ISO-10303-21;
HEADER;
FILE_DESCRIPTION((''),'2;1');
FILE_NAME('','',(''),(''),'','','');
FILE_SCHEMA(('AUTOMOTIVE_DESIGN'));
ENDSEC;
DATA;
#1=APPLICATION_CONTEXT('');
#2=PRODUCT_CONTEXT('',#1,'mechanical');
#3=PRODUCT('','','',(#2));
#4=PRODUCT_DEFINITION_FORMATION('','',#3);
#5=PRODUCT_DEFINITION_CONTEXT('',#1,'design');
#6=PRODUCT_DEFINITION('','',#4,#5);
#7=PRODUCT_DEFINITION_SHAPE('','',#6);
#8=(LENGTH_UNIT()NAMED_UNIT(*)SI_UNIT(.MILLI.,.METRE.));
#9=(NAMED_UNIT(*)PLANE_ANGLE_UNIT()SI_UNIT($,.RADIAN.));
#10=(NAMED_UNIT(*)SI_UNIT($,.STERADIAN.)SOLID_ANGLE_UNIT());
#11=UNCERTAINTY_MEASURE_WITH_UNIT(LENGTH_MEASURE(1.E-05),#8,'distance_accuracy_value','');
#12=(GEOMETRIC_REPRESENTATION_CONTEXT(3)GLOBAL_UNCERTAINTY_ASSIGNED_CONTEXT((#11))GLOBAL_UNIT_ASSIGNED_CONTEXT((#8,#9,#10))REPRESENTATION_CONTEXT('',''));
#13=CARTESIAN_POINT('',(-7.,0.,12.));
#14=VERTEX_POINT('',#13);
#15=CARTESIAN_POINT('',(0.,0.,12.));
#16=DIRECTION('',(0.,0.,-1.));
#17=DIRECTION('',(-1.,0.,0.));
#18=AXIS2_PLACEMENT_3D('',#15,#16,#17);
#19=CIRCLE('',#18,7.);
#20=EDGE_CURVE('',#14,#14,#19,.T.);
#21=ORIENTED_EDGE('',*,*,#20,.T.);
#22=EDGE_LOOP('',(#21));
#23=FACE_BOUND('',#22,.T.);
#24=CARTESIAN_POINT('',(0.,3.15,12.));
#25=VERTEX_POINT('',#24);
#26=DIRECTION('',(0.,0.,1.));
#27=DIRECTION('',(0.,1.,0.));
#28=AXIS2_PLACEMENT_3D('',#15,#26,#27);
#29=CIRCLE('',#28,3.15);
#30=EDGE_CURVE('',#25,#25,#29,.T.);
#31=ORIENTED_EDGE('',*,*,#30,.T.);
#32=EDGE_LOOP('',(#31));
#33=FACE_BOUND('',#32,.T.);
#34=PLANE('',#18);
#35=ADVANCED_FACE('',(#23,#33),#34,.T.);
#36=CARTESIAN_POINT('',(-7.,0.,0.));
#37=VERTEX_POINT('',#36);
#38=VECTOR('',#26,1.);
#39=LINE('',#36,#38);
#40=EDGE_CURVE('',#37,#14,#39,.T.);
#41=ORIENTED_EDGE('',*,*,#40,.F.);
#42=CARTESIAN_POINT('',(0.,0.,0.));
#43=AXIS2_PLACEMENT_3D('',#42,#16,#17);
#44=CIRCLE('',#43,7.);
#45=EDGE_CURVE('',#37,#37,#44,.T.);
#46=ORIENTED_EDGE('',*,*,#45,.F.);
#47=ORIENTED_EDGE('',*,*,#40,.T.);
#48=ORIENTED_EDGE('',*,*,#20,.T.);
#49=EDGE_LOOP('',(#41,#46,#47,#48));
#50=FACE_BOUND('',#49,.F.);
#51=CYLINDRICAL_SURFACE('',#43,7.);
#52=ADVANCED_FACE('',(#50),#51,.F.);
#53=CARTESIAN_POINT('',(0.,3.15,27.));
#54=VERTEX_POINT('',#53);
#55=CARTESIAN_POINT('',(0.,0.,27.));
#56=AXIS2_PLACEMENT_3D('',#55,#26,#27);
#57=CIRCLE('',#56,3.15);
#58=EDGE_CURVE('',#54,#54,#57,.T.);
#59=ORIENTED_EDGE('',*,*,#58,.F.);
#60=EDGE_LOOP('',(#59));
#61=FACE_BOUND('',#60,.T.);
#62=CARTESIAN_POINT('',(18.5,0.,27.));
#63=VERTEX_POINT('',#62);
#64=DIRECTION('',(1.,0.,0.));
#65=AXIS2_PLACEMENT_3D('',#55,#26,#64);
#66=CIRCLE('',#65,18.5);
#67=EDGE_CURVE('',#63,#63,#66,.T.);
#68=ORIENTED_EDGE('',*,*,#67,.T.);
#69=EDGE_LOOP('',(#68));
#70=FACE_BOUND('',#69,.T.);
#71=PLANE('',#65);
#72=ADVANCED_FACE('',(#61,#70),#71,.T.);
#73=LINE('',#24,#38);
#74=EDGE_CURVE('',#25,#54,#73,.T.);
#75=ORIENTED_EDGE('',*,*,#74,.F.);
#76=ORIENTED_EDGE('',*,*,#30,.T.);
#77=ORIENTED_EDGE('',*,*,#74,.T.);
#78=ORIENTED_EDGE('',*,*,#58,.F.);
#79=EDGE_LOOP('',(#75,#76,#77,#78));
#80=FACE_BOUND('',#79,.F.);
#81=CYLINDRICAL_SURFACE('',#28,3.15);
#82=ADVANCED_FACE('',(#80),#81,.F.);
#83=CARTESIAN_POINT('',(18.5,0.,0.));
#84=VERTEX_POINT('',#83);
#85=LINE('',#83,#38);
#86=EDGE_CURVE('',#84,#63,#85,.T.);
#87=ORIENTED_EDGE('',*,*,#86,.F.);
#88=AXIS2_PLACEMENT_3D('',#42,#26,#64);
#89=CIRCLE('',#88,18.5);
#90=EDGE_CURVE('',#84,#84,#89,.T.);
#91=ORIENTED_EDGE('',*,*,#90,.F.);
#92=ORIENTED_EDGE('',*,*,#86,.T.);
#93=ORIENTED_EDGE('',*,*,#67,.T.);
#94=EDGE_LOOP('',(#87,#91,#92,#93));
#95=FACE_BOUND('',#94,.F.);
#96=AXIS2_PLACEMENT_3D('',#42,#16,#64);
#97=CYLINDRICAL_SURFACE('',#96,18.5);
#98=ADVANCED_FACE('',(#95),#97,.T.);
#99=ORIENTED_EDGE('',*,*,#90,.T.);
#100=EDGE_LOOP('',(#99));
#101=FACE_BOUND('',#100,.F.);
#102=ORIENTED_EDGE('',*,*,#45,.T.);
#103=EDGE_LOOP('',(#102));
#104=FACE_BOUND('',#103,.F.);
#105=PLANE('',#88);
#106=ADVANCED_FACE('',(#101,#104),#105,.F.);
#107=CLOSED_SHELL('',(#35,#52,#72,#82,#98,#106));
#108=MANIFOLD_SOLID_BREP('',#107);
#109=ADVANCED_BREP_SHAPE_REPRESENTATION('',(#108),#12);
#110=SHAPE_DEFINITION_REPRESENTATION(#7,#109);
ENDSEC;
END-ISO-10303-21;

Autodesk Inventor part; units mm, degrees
ref_plane "YZ Plane" through (0, 0, 0) normal (1, 0, 0) x (0, 1, 0)
ref_plane "XZ Plane" through (0, 0, 0) normal (0, 1, 0) x (-1, 0, 0)
ref_plane "XY Plane" through (0, 0, 0) normal (0, 0, 1) x (1, 0, 0)
sketch "Skizze1" plane through (0, 0, 0) normal (0, 0, 1) x (1, 0, 0)
  circle A0 centre (0, 0) radius 18.5
  dimension "d0" = 37
extrude "Extrusion1" add sketch "Skizze1" along normal blind 27
sketch "Skizze2" plane through (0, 0, 0) normal (0, 0, -1) x (-1, 0, 0)
  circle A0 centre (0, 0) radius 7
  dimension "d3" = 14
extrude "Extrusion2" cut sketch "Skizze2" against normal blind 12
sketch "Skizze3" plane through (0, 0, 12) normal (0, 0, -1) x (-1, 0, 0)
  point P0 (0, 0)
hole "Bohrung1" at (0, 0, 12) direction (0, 0, 1) diameter 6.3 end through all
properties part number "GummiFeet" material "Gummi, Silikon"
